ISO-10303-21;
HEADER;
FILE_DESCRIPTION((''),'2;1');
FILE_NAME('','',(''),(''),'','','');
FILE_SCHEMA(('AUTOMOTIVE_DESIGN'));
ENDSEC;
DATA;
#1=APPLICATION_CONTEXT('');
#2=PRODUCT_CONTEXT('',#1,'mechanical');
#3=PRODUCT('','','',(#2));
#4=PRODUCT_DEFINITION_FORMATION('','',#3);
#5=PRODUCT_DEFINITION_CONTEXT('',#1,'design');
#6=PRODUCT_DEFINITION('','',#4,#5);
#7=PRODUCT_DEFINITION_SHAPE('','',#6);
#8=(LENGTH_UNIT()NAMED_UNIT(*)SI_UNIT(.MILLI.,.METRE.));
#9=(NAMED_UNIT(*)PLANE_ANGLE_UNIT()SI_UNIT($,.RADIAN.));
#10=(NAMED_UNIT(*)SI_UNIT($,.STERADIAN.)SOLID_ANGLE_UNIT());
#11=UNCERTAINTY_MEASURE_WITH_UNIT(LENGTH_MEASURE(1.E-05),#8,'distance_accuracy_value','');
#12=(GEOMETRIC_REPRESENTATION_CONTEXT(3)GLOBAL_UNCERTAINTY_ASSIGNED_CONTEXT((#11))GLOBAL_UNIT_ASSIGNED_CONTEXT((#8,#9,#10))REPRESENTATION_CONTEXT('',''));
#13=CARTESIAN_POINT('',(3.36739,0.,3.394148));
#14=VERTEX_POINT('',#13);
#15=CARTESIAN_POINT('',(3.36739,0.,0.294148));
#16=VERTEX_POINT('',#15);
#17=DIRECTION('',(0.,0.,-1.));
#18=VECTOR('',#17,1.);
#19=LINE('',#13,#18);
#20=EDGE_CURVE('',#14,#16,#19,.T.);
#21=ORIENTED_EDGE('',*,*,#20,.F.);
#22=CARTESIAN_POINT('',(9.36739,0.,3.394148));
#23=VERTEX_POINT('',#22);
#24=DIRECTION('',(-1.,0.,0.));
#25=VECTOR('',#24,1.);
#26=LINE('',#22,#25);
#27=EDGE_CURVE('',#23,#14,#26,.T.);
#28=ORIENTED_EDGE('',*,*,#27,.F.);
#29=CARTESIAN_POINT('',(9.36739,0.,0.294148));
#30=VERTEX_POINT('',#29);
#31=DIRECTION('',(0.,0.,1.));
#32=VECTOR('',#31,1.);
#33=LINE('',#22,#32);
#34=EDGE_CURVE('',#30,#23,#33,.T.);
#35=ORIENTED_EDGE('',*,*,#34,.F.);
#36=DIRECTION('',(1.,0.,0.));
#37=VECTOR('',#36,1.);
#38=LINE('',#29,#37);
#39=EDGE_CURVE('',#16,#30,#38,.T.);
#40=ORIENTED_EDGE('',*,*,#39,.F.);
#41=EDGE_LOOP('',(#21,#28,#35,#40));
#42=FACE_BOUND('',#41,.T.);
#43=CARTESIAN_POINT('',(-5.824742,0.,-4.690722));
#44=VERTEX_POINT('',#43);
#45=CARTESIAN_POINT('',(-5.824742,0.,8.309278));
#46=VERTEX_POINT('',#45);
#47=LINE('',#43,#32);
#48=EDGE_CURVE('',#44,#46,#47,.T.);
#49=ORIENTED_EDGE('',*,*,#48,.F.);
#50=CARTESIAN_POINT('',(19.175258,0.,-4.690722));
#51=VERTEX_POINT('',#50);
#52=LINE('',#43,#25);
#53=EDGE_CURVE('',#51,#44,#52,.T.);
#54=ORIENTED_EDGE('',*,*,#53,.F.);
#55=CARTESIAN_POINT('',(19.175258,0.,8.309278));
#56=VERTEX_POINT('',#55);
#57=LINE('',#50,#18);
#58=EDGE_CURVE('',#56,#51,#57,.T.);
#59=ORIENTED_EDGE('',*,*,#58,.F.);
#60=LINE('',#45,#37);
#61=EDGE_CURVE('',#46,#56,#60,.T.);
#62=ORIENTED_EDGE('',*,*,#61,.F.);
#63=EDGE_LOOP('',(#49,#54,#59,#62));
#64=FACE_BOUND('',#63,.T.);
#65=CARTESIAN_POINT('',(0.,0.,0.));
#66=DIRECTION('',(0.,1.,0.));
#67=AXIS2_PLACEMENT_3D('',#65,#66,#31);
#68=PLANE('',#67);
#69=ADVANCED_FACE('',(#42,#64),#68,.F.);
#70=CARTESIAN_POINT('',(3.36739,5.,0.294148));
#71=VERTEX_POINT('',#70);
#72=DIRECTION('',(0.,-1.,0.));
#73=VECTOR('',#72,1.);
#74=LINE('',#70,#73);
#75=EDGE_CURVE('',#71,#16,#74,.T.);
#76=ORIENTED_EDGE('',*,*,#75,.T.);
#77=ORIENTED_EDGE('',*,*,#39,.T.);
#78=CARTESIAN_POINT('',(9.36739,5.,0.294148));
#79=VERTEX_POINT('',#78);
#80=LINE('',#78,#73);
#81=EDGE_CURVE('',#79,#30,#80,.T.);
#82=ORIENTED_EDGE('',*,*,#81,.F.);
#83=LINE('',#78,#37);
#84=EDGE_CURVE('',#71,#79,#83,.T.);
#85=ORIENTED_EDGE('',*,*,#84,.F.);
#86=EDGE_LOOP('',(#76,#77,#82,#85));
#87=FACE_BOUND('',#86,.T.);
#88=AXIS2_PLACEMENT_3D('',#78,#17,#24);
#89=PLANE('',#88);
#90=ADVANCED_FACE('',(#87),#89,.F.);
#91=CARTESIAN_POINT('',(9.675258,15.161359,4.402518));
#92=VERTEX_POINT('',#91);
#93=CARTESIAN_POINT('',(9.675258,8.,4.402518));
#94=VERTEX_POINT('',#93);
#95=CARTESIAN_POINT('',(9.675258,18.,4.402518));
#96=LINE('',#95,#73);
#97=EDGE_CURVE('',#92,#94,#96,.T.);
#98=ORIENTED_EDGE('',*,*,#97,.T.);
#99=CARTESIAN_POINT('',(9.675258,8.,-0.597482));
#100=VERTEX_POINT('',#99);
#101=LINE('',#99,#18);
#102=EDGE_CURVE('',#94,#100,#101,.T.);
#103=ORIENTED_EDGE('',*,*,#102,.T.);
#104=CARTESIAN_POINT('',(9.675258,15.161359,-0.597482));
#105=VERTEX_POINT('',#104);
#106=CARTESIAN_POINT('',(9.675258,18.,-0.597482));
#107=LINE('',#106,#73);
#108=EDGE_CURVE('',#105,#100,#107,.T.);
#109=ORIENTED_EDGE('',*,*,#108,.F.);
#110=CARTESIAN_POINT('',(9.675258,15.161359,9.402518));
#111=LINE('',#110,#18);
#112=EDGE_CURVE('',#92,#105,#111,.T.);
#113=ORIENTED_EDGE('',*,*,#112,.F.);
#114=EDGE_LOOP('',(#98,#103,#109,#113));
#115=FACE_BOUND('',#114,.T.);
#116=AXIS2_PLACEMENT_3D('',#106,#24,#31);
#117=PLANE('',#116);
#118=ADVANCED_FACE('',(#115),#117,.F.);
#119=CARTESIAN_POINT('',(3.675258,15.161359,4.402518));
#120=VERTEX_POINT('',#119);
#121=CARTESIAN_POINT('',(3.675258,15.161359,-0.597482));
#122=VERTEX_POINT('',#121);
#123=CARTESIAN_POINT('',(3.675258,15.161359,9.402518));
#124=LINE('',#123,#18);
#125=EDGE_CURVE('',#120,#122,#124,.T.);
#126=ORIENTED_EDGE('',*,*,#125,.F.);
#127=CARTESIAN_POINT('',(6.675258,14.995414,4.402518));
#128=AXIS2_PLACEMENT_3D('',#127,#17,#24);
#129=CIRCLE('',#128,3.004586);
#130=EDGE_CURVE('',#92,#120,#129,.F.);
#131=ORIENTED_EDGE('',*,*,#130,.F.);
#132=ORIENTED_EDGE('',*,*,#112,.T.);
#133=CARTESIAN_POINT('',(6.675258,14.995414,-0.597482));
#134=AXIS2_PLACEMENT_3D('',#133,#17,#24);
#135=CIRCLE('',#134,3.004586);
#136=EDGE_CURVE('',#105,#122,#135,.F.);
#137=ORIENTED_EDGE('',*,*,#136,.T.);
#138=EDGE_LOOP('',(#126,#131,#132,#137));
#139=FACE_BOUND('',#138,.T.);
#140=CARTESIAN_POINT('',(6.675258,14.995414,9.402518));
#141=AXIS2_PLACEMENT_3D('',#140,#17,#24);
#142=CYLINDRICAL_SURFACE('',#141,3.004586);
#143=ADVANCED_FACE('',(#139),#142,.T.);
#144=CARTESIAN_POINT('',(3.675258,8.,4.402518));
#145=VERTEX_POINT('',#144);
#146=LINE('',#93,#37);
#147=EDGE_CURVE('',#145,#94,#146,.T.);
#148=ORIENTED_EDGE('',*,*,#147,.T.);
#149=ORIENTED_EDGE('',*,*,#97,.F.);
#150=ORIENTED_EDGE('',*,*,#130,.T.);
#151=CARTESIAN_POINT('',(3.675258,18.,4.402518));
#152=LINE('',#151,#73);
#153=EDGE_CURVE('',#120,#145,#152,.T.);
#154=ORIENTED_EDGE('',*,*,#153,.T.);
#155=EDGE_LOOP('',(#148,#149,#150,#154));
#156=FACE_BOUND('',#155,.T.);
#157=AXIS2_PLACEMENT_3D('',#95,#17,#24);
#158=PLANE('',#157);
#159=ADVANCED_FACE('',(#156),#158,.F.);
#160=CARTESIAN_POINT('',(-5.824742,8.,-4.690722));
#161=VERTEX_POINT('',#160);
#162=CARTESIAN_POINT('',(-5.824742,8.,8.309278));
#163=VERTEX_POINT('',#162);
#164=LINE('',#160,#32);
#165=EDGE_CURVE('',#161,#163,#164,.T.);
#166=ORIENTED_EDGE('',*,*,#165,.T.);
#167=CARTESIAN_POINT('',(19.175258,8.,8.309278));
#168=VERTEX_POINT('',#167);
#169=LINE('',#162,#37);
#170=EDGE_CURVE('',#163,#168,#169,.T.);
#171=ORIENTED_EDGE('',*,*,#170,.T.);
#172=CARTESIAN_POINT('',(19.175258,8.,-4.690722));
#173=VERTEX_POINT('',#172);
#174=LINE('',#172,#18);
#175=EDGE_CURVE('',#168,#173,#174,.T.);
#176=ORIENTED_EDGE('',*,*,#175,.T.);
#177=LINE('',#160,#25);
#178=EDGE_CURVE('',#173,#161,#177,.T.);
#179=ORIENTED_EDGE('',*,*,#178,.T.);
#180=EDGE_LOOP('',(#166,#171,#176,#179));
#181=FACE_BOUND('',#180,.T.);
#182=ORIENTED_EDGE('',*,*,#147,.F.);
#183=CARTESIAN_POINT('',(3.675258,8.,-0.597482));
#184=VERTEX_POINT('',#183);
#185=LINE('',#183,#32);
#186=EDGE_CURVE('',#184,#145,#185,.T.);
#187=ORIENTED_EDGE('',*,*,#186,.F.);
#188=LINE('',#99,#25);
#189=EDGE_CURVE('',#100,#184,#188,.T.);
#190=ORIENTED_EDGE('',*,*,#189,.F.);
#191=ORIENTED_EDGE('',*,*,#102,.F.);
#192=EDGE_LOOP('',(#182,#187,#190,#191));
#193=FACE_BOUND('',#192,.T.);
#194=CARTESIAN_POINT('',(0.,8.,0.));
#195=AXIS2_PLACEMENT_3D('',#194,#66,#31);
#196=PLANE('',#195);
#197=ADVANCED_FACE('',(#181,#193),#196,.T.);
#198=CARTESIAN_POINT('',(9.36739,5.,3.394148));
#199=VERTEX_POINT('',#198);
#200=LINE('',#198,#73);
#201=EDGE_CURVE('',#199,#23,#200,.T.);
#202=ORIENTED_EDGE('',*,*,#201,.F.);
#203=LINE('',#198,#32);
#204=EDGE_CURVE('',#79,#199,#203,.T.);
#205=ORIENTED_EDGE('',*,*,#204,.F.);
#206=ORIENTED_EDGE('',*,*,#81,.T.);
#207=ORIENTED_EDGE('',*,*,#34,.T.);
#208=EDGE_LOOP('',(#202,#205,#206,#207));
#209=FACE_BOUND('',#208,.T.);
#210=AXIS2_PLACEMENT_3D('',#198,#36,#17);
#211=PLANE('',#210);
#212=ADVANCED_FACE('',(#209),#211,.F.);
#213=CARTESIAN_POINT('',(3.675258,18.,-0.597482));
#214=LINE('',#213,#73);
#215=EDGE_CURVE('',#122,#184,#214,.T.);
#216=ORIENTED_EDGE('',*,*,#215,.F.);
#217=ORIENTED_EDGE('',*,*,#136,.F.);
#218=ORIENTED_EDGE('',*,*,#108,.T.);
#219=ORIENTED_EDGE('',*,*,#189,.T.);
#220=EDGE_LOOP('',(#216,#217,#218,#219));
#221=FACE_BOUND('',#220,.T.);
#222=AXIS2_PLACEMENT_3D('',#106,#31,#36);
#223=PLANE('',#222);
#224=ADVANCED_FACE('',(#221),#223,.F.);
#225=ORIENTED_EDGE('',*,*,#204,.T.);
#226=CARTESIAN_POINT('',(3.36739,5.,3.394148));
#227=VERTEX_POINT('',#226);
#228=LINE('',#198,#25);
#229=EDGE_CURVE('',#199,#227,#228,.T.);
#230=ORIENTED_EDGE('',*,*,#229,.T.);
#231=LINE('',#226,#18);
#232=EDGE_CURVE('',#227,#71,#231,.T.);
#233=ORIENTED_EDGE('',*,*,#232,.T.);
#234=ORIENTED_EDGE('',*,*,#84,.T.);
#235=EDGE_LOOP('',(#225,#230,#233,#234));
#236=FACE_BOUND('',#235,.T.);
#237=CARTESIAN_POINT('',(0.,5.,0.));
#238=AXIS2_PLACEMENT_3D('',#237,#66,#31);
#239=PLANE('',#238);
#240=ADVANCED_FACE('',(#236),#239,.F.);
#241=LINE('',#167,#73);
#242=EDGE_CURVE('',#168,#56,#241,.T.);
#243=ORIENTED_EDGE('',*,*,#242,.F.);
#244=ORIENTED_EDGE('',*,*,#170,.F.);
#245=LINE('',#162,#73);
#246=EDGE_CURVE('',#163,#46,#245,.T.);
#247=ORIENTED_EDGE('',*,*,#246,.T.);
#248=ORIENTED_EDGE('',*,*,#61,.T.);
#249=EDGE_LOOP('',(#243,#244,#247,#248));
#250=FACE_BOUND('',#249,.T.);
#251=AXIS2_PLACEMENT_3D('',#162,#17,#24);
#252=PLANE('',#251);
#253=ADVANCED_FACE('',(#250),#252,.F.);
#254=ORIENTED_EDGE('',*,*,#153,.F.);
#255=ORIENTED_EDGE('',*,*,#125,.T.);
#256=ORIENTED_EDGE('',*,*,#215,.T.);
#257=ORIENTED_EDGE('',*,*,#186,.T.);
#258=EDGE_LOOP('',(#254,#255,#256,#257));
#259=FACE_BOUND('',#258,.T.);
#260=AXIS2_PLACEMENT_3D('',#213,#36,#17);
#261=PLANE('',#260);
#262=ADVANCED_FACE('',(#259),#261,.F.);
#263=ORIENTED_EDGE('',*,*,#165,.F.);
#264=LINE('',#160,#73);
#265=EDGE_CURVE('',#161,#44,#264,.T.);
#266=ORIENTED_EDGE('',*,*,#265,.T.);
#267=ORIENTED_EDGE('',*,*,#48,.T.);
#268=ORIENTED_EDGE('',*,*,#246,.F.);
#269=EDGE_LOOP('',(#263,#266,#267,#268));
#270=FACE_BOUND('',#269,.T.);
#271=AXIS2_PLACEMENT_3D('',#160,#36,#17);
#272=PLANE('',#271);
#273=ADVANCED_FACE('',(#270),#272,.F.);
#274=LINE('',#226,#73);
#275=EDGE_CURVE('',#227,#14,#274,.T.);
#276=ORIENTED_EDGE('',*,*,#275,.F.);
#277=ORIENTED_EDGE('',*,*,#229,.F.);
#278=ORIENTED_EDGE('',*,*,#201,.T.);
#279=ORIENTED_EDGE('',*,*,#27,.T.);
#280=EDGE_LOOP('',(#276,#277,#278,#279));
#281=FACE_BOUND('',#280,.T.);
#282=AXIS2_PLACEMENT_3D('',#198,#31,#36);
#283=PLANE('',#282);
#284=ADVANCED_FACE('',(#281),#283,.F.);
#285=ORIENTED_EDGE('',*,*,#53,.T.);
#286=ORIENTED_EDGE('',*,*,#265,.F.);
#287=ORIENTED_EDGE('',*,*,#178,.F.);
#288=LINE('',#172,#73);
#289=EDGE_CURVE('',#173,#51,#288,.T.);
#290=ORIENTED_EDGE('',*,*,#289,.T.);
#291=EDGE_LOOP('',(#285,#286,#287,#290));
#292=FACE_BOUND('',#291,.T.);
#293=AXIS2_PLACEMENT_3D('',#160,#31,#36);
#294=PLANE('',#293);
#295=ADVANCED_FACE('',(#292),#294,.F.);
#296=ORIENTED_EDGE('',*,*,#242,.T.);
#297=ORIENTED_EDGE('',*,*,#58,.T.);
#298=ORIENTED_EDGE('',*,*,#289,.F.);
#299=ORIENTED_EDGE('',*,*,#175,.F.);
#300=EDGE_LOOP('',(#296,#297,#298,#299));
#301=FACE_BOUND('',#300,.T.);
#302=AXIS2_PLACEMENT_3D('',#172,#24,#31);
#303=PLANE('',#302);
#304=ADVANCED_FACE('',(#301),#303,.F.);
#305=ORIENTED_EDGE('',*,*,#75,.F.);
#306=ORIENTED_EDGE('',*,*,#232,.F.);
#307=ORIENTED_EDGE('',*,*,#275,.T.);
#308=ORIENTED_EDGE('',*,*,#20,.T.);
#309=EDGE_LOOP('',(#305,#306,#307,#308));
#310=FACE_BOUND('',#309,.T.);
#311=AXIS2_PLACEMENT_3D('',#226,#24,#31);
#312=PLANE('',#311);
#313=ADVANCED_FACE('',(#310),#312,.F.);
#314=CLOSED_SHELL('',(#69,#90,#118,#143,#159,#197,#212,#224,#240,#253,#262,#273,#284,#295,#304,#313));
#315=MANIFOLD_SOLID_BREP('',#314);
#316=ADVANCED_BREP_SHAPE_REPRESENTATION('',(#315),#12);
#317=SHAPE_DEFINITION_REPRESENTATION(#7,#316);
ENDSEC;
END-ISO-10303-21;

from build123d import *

# Parameters (mm, degrees)
SKETCH3_W           = 25
SKETCH3_H           = 13
BOSS_EXTRUDE1_DEPTH = 8
SKETCH4_W           = 6
SKETCH4_H           = 3.1
CUT_EXTRUDE1_DEPTH  = 5
SKETCH5_W           = 6
SKETCH5_H           = 5
BOSS_EXTRUDE2_DEPTH = 10
CUT_EXTRUDE2_DEPTH  = 10


with BuildPart() as part:
    # Sketch3 → Boss-Extrude1 (new body)
    with BuildSketch(Plane(origin=(0, 0, 0), x_dir=(1, 0, 0), z_dir=(0, 1, 0))):
        with Locations((6.675257732, -1.809278351)):
            Rectangle(SKETCH3_W, SKETCH3_H)
    extrude(amount=BOSS_EXTRUDE1_DEPTH)

    # Sketch4 → Cut-Extrude1 (cut)
    with BuildSketch(Plane.XZ):
        with Locations((6.367389679, 1.844147545)):
            Rectangle(SKETCH4_W, SKETCH4_H)
    extrude(amount=-CUT_EXTRUDE1_DEPTH, mode=Mode.SUBTRACT)

    # Sketch5 → Boss-Extrude2 (add)
    with BuildSketch(Plane(origin=(0, 8, 0), x_dir=(1, 0, 0), z_dir=(0, 1, 0))):
        with Locations((6.675257732, -1.902518117)):
            Rectangle(SKETCH5_W, SKETCH5_H)
    extrude(amount=BOSS_EXTRUDE2_DEPTH)

    # Sketch6 → Cut-Extrude2 (cut)
    with BuildSketch(Plane(origin=(0, 0, -0.597481883), x_dir=(-1, 0, 0), z_dir=(0, 0, -1))):
        with BuildLine():
            Line((-3.675257732, 18), (-6.675257732, 18))
            ThreePointArc((-6.675257732, 18), (-4.610198245, 17.177859086), (-3.675257732, 15.161358998))
            Line((-3.675257732, 15.161358998), (-3.675257732, 18))
        make_face()
        with BuildLine():
            Line((-9.675257732, 18), (-9.675257732, 15.161358998))
            ThreePointArc((-9.675257732, 15.161358998), (-8.740317219, 17.177859086), (-6.675257732, 18))
            Line((-6.675257732, 18), (-9.675257732, 18))
        make_face()
    extrude(amount=-CUT_EXTRUDE2_DEPTH, mode=Mode.SUBTRACT)


solid = part.part
